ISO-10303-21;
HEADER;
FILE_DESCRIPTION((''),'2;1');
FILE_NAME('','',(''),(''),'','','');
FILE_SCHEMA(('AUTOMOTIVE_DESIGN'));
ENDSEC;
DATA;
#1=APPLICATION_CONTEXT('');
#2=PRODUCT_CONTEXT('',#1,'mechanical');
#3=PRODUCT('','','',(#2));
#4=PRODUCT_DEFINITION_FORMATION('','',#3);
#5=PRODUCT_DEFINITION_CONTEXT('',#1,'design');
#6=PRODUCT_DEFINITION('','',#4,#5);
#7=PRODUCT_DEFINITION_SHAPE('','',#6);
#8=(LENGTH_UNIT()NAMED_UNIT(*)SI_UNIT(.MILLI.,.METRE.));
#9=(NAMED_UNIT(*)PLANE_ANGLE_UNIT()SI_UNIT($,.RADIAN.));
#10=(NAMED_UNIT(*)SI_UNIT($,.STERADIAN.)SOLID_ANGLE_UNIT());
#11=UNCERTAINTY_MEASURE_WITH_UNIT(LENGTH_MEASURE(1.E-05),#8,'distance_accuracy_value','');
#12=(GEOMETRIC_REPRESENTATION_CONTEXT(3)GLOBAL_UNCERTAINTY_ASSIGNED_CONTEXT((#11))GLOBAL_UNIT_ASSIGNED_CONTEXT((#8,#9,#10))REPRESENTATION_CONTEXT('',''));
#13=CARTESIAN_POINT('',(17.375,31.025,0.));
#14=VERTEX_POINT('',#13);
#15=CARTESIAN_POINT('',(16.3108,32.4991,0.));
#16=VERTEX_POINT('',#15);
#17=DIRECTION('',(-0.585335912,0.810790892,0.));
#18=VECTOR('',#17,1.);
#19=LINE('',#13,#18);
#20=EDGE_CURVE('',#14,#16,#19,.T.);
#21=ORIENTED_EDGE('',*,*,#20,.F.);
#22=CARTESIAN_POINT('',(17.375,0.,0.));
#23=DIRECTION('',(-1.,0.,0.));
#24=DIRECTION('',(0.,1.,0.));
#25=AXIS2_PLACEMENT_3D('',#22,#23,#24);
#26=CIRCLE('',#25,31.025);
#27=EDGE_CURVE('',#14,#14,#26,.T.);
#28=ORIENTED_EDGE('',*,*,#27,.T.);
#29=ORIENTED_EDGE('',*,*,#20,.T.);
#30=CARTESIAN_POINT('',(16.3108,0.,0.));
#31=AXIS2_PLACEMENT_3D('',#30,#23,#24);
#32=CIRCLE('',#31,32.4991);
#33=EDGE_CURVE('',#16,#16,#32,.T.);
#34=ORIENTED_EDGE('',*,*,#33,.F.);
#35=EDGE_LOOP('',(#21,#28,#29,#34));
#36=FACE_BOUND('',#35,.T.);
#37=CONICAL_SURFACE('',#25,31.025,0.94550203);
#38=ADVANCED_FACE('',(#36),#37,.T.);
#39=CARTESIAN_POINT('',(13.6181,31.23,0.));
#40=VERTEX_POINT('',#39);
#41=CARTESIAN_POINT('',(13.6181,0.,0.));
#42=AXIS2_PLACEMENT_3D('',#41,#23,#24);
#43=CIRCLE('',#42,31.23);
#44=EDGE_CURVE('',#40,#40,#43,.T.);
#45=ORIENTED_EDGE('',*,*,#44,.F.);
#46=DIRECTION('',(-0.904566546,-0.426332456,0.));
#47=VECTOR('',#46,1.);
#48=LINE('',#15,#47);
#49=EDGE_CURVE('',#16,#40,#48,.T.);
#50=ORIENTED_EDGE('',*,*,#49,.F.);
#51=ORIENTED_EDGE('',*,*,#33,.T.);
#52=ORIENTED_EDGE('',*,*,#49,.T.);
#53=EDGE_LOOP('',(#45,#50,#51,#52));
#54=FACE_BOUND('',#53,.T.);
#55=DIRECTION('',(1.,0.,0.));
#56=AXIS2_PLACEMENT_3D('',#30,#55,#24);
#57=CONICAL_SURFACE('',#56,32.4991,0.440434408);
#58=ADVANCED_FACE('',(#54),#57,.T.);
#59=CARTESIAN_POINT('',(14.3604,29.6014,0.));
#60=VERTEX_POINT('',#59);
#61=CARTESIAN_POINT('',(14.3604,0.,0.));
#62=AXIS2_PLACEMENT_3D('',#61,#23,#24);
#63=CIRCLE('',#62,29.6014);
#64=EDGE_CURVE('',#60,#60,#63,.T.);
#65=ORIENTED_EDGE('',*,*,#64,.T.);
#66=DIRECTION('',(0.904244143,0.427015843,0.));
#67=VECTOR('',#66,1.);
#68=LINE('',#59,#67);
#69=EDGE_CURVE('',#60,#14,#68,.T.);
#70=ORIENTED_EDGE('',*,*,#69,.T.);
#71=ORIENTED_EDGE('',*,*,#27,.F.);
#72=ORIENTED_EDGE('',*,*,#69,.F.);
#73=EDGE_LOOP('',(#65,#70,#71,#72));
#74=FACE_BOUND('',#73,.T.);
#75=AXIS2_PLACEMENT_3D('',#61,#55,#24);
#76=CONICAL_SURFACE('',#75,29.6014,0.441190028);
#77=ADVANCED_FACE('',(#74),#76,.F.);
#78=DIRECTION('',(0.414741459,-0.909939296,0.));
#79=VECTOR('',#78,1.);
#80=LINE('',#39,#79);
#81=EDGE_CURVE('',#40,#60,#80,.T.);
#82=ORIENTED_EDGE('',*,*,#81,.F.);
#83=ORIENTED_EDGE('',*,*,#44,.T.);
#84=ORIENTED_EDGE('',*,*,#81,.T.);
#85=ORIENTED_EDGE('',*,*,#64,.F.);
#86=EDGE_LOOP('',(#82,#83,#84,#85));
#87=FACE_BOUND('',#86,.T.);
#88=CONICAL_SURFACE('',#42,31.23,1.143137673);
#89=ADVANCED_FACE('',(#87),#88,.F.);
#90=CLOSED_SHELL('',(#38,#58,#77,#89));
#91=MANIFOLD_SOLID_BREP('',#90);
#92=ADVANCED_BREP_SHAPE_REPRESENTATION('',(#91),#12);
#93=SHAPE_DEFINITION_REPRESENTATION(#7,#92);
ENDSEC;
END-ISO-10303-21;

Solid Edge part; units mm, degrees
sketch "Sketch1" plane through (0, 0, 0) normal (0, 0, 1) x (1, 0, 0)
  line L0 (13.6181, 31.23) -> (14.3604, 29.6014)
  line L1 (14.3604, 29.6014) -> (17.375, 31.025)
  line L2 (17.375, 31.025) -> (16.3108, 32.4991)
  line L3 (16.3108, 32.4991) -> (13.6181, 31.23)
revolve "RevolvedProtrusion1" add sketch "Sketch1" angle 360 about axis through (15.722, 0, 0) along (-1, 0, 0)
properties material "Steel"
